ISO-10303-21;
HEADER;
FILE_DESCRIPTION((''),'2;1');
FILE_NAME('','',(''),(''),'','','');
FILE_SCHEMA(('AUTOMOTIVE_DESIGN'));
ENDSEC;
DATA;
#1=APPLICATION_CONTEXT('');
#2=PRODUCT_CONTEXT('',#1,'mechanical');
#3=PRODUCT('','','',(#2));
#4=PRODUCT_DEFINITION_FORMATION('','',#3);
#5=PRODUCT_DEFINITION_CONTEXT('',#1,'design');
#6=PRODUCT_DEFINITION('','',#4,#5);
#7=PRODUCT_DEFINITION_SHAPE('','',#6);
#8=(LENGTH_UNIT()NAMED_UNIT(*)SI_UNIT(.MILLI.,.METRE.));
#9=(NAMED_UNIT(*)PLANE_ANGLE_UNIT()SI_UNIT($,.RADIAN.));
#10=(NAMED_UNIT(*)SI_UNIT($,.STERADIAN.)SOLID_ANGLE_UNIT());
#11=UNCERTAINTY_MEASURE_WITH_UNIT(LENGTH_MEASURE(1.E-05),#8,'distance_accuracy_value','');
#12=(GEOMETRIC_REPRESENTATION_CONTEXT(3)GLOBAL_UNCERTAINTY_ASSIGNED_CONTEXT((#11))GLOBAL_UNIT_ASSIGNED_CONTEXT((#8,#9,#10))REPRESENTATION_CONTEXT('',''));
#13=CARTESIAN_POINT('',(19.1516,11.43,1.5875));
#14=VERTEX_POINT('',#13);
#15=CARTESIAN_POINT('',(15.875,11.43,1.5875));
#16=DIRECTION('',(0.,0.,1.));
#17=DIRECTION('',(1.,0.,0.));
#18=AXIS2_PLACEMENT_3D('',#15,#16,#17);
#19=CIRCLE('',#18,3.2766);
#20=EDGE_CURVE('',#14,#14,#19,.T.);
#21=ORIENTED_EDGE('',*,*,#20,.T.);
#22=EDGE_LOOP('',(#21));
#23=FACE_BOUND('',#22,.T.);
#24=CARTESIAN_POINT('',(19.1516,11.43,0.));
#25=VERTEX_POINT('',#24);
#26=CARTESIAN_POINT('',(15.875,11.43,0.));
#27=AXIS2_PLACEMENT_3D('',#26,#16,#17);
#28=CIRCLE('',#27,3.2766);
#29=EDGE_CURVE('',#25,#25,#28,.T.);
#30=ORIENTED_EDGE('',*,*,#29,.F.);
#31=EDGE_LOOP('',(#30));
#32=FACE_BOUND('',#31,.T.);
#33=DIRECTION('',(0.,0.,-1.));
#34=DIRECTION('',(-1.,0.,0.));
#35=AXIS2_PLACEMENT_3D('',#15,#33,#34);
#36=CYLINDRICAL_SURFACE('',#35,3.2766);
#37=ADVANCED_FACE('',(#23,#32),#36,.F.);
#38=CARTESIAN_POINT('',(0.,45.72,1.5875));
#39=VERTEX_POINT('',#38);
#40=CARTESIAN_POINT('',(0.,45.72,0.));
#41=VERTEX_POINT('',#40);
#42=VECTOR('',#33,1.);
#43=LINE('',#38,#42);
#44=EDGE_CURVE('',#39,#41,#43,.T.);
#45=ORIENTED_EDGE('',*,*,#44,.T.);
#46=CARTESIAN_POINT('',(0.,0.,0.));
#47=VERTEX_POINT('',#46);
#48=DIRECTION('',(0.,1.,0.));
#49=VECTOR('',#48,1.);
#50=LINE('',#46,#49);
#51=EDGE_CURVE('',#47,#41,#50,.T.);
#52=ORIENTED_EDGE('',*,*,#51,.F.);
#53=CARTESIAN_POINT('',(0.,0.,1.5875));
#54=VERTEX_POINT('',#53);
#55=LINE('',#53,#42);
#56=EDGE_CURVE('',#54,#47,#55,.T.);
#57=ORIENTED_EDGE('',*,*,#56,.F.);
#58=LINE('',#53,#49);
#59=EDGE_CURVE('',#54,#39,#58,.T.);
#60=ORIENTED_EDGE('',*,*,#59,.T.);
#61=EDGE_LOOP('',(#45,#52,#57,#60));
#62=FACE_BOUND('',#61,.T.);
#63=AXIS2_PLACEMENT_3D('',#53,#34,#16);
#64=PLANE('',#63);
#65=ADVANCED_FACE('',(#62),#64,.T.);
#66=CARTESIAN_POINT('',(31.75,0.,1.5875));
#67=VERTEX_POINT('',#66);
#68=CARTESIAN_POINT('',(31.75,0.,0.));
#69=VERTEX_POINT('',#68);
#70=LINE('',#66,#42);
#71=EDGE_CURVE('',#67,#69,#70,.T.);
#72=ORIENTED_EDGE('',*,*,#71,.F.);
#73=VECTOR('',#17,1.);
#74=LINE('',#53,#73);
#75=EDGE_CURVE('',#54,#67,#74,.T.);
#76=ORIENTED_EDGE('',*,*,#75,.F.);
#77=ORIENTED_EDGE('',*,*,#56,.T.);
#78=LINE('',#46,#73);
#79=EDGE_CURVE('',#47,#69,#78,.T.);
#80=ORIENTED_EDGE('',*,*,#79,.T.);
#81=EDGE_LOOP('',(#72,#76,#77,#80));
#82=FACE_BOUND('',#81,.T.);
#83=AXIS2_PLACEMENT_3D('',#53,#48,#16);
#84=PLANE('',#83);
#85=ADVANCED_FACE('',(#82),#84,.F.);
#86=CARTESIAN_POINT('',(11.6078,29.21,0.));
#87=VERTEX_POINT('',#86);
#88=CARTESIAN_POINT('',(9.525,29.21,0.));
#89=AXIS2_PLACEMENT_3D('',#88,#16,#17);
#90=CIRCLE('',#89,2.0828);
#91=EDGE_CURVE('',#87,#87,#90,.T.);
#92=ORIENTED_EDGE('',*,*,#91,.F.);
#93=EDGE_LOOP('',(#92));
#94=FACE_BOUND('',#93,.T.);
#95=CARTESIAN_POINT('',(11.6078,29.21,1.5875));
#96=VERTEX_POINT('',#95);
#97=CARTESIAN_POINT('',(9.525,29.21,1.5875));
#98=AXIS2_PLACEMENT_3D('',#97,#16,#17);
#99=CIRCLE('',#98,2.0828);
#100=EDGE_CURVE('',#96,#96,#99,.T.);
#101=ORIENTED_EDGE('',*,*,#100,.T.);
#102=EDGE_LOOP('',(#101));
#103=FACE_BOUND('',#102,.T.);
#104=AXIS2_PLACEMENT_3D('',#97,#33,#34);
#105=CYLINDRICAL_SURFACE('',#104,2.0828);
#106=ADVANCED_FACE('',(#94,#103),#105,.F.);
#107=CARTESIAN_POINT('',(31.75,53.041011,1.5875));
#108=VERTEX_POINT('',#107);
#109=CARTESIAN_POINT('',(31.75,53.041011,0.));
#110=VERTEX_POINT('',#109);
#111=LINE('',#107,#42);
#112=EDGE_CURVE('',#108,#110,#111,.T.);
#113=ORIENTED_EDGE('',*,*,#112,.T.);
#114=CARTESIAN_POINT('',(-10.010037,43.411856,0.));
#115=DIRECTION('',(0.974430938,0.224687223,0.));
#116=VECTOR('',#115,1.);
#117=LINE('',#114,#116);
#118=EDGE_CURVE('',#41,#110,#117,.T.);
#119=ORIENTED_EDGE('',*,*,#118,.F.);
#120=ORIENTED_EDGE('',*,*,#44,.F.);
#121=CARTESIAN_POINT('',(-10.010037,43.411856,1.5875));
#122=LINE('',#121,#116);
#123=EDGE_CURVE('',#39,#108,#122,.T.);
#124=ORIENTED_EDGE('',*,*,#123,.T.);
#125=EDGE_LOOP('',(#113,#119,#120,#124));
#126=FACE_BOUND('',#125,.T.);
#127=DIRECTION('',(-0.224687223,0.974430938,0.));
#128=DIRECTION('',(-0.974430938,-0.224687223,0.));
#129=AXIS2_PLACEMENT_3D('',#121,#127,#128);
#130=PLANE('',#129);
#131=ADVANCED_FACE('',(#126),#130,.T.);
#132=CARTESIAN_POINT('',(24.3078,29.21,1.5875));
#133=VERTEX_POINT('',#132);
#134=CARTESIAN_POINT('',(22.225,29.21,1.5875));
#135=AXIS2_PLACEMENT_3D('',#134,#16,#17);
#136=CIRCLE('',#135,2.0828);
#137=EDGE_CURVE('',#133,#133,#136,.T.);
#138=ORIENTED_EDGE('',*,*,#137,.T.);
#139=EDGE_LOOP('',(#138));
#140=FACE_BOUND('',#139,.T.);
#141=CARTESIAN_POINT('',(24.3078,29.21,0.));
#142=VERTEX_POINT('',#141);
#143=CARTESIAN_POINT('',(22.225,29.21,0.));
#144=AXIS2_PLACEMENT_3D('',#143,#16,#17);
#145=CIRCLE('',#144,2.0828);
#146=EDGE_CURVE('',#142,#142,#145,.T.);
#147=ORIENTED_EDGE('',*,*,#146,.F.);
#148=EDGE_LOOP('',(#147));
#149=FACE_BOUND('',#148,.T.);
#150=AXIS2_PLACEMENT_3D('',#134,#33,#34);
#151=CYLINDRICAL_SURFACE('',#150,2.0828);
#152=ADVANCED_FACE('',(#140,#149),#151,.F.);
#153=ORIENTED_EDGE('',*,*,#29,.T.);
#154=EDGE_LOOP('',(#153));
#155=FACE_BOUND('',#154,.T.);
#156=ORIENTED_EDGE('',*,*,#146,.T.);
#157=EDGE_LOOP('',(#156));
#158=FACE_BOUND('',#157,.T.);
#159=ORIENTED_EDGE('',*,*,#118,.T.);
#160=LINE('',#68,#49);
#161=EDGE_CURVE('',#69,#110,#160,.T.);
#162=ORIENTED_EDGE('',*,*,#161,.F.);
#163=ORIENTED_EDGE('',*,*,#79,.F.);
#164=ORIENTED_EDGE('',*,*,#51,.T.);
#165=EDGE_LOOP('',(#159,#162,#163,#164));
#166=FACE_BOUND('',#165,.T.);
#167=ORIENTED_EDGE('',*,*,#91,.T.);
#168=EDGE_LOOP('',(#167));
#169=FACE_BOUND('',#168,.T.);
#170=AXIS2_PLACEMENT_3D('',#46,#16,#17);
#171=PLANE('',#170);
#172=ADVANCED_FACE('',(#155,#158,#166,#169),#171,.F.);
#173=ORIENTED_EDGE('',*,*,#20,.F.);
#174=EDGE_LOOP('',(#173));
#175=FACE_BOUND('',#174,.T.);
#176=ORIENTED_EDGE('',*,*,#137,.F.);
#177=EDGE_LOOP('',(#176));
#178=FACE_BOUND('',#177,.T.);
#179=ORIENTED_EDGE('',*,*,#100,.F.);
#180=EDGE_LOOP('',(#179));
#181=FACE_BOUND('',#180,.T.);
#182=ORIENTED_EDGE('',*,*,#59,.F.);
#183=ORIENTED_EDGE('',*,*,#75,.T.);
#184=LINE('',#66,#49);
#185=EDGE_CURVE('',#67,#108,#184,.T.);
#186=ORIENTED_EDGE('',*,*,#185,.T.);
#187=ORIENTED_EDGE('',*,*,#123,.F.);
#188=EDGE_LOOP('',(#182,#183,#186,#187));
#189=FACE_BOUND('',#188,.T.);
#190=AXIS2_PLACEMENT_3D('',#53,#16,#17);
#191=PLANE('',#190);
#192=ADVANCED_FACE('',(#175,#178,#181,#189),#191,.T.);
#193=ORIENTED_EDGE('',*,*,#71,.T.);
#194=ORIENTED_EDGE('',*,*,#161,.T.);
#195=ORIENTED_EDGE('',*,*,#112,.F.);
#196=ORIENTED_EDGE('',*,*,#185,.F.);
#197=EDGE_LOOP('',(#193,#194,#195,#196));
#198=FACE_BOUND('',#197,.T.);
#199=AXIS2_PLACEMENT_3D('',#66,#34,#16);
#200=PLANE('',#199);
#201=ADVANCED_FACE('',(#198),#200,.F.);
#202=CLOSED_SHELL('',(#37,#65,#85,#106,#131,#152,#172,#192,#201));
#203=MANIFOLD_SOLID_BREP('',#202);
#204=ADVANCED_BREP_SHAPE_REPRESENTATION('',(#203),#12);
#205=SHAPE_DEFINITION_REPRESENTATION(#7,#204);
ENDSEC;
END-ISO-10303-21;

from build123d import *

# Parameters (mm, degrees)
SKETCH2_W           = 31.75
SKETCH2_H           = 22.86
SKETCH2_R           = 3.2766
SKETCH2_H_2         = 12.7
SKETCH2_R_2         = 2.0828
SKETCH2_H_3         = 10.16
BOSS_EXTRUDE1_DEPTH = 1.5875


with BuildPart() as part:
    # Sketch2 → Boss-Extrude1 (new body)
    # profile 1 of 4: a face of its own
    with BuildSketch(Plane.XY):
        with Locations((15.875, 11.43)):
            Rectangle(SKETCH2_W, SKETCH2_H)
        with Locations((15.875, 11.43)):
            Circle(SKETCH2_R, mode=Mode.SUBTRACT)
    # profile 2 of 4: a face of its own
    with BuildSketch(Plane.XY):
        with Locations((15.875, 29.21)):
            Rectangle(SKETCH2_W, SKETCH2_H_2)
        with Locations((9.525, 29.21)):
            Circle(SKETCH2_R_2, mode=Mode.SUBTRACT)
        with Locations((22.225, 29.21)):
            Circle(SKETCH2_R_2, mode=Mode.SUBTRACT)
    # profile 3 of 4: a face of its own
    with BuildSketch(Plane.XY):
        with Locations((15.875, 40.64)):
            Rectangle(SKETCH2_W, SKETCH2_H_3)
    # profile 4 of 4: a face of its own
    with BuildSketch(Plane.XY):
        Polygon((31.75, 53.041010695), (31.75, 45.72), (0, 45.72), align=None)
    extrude(amount=BOSS_EXTRUDE1_DEPTH)


solid = part.part
